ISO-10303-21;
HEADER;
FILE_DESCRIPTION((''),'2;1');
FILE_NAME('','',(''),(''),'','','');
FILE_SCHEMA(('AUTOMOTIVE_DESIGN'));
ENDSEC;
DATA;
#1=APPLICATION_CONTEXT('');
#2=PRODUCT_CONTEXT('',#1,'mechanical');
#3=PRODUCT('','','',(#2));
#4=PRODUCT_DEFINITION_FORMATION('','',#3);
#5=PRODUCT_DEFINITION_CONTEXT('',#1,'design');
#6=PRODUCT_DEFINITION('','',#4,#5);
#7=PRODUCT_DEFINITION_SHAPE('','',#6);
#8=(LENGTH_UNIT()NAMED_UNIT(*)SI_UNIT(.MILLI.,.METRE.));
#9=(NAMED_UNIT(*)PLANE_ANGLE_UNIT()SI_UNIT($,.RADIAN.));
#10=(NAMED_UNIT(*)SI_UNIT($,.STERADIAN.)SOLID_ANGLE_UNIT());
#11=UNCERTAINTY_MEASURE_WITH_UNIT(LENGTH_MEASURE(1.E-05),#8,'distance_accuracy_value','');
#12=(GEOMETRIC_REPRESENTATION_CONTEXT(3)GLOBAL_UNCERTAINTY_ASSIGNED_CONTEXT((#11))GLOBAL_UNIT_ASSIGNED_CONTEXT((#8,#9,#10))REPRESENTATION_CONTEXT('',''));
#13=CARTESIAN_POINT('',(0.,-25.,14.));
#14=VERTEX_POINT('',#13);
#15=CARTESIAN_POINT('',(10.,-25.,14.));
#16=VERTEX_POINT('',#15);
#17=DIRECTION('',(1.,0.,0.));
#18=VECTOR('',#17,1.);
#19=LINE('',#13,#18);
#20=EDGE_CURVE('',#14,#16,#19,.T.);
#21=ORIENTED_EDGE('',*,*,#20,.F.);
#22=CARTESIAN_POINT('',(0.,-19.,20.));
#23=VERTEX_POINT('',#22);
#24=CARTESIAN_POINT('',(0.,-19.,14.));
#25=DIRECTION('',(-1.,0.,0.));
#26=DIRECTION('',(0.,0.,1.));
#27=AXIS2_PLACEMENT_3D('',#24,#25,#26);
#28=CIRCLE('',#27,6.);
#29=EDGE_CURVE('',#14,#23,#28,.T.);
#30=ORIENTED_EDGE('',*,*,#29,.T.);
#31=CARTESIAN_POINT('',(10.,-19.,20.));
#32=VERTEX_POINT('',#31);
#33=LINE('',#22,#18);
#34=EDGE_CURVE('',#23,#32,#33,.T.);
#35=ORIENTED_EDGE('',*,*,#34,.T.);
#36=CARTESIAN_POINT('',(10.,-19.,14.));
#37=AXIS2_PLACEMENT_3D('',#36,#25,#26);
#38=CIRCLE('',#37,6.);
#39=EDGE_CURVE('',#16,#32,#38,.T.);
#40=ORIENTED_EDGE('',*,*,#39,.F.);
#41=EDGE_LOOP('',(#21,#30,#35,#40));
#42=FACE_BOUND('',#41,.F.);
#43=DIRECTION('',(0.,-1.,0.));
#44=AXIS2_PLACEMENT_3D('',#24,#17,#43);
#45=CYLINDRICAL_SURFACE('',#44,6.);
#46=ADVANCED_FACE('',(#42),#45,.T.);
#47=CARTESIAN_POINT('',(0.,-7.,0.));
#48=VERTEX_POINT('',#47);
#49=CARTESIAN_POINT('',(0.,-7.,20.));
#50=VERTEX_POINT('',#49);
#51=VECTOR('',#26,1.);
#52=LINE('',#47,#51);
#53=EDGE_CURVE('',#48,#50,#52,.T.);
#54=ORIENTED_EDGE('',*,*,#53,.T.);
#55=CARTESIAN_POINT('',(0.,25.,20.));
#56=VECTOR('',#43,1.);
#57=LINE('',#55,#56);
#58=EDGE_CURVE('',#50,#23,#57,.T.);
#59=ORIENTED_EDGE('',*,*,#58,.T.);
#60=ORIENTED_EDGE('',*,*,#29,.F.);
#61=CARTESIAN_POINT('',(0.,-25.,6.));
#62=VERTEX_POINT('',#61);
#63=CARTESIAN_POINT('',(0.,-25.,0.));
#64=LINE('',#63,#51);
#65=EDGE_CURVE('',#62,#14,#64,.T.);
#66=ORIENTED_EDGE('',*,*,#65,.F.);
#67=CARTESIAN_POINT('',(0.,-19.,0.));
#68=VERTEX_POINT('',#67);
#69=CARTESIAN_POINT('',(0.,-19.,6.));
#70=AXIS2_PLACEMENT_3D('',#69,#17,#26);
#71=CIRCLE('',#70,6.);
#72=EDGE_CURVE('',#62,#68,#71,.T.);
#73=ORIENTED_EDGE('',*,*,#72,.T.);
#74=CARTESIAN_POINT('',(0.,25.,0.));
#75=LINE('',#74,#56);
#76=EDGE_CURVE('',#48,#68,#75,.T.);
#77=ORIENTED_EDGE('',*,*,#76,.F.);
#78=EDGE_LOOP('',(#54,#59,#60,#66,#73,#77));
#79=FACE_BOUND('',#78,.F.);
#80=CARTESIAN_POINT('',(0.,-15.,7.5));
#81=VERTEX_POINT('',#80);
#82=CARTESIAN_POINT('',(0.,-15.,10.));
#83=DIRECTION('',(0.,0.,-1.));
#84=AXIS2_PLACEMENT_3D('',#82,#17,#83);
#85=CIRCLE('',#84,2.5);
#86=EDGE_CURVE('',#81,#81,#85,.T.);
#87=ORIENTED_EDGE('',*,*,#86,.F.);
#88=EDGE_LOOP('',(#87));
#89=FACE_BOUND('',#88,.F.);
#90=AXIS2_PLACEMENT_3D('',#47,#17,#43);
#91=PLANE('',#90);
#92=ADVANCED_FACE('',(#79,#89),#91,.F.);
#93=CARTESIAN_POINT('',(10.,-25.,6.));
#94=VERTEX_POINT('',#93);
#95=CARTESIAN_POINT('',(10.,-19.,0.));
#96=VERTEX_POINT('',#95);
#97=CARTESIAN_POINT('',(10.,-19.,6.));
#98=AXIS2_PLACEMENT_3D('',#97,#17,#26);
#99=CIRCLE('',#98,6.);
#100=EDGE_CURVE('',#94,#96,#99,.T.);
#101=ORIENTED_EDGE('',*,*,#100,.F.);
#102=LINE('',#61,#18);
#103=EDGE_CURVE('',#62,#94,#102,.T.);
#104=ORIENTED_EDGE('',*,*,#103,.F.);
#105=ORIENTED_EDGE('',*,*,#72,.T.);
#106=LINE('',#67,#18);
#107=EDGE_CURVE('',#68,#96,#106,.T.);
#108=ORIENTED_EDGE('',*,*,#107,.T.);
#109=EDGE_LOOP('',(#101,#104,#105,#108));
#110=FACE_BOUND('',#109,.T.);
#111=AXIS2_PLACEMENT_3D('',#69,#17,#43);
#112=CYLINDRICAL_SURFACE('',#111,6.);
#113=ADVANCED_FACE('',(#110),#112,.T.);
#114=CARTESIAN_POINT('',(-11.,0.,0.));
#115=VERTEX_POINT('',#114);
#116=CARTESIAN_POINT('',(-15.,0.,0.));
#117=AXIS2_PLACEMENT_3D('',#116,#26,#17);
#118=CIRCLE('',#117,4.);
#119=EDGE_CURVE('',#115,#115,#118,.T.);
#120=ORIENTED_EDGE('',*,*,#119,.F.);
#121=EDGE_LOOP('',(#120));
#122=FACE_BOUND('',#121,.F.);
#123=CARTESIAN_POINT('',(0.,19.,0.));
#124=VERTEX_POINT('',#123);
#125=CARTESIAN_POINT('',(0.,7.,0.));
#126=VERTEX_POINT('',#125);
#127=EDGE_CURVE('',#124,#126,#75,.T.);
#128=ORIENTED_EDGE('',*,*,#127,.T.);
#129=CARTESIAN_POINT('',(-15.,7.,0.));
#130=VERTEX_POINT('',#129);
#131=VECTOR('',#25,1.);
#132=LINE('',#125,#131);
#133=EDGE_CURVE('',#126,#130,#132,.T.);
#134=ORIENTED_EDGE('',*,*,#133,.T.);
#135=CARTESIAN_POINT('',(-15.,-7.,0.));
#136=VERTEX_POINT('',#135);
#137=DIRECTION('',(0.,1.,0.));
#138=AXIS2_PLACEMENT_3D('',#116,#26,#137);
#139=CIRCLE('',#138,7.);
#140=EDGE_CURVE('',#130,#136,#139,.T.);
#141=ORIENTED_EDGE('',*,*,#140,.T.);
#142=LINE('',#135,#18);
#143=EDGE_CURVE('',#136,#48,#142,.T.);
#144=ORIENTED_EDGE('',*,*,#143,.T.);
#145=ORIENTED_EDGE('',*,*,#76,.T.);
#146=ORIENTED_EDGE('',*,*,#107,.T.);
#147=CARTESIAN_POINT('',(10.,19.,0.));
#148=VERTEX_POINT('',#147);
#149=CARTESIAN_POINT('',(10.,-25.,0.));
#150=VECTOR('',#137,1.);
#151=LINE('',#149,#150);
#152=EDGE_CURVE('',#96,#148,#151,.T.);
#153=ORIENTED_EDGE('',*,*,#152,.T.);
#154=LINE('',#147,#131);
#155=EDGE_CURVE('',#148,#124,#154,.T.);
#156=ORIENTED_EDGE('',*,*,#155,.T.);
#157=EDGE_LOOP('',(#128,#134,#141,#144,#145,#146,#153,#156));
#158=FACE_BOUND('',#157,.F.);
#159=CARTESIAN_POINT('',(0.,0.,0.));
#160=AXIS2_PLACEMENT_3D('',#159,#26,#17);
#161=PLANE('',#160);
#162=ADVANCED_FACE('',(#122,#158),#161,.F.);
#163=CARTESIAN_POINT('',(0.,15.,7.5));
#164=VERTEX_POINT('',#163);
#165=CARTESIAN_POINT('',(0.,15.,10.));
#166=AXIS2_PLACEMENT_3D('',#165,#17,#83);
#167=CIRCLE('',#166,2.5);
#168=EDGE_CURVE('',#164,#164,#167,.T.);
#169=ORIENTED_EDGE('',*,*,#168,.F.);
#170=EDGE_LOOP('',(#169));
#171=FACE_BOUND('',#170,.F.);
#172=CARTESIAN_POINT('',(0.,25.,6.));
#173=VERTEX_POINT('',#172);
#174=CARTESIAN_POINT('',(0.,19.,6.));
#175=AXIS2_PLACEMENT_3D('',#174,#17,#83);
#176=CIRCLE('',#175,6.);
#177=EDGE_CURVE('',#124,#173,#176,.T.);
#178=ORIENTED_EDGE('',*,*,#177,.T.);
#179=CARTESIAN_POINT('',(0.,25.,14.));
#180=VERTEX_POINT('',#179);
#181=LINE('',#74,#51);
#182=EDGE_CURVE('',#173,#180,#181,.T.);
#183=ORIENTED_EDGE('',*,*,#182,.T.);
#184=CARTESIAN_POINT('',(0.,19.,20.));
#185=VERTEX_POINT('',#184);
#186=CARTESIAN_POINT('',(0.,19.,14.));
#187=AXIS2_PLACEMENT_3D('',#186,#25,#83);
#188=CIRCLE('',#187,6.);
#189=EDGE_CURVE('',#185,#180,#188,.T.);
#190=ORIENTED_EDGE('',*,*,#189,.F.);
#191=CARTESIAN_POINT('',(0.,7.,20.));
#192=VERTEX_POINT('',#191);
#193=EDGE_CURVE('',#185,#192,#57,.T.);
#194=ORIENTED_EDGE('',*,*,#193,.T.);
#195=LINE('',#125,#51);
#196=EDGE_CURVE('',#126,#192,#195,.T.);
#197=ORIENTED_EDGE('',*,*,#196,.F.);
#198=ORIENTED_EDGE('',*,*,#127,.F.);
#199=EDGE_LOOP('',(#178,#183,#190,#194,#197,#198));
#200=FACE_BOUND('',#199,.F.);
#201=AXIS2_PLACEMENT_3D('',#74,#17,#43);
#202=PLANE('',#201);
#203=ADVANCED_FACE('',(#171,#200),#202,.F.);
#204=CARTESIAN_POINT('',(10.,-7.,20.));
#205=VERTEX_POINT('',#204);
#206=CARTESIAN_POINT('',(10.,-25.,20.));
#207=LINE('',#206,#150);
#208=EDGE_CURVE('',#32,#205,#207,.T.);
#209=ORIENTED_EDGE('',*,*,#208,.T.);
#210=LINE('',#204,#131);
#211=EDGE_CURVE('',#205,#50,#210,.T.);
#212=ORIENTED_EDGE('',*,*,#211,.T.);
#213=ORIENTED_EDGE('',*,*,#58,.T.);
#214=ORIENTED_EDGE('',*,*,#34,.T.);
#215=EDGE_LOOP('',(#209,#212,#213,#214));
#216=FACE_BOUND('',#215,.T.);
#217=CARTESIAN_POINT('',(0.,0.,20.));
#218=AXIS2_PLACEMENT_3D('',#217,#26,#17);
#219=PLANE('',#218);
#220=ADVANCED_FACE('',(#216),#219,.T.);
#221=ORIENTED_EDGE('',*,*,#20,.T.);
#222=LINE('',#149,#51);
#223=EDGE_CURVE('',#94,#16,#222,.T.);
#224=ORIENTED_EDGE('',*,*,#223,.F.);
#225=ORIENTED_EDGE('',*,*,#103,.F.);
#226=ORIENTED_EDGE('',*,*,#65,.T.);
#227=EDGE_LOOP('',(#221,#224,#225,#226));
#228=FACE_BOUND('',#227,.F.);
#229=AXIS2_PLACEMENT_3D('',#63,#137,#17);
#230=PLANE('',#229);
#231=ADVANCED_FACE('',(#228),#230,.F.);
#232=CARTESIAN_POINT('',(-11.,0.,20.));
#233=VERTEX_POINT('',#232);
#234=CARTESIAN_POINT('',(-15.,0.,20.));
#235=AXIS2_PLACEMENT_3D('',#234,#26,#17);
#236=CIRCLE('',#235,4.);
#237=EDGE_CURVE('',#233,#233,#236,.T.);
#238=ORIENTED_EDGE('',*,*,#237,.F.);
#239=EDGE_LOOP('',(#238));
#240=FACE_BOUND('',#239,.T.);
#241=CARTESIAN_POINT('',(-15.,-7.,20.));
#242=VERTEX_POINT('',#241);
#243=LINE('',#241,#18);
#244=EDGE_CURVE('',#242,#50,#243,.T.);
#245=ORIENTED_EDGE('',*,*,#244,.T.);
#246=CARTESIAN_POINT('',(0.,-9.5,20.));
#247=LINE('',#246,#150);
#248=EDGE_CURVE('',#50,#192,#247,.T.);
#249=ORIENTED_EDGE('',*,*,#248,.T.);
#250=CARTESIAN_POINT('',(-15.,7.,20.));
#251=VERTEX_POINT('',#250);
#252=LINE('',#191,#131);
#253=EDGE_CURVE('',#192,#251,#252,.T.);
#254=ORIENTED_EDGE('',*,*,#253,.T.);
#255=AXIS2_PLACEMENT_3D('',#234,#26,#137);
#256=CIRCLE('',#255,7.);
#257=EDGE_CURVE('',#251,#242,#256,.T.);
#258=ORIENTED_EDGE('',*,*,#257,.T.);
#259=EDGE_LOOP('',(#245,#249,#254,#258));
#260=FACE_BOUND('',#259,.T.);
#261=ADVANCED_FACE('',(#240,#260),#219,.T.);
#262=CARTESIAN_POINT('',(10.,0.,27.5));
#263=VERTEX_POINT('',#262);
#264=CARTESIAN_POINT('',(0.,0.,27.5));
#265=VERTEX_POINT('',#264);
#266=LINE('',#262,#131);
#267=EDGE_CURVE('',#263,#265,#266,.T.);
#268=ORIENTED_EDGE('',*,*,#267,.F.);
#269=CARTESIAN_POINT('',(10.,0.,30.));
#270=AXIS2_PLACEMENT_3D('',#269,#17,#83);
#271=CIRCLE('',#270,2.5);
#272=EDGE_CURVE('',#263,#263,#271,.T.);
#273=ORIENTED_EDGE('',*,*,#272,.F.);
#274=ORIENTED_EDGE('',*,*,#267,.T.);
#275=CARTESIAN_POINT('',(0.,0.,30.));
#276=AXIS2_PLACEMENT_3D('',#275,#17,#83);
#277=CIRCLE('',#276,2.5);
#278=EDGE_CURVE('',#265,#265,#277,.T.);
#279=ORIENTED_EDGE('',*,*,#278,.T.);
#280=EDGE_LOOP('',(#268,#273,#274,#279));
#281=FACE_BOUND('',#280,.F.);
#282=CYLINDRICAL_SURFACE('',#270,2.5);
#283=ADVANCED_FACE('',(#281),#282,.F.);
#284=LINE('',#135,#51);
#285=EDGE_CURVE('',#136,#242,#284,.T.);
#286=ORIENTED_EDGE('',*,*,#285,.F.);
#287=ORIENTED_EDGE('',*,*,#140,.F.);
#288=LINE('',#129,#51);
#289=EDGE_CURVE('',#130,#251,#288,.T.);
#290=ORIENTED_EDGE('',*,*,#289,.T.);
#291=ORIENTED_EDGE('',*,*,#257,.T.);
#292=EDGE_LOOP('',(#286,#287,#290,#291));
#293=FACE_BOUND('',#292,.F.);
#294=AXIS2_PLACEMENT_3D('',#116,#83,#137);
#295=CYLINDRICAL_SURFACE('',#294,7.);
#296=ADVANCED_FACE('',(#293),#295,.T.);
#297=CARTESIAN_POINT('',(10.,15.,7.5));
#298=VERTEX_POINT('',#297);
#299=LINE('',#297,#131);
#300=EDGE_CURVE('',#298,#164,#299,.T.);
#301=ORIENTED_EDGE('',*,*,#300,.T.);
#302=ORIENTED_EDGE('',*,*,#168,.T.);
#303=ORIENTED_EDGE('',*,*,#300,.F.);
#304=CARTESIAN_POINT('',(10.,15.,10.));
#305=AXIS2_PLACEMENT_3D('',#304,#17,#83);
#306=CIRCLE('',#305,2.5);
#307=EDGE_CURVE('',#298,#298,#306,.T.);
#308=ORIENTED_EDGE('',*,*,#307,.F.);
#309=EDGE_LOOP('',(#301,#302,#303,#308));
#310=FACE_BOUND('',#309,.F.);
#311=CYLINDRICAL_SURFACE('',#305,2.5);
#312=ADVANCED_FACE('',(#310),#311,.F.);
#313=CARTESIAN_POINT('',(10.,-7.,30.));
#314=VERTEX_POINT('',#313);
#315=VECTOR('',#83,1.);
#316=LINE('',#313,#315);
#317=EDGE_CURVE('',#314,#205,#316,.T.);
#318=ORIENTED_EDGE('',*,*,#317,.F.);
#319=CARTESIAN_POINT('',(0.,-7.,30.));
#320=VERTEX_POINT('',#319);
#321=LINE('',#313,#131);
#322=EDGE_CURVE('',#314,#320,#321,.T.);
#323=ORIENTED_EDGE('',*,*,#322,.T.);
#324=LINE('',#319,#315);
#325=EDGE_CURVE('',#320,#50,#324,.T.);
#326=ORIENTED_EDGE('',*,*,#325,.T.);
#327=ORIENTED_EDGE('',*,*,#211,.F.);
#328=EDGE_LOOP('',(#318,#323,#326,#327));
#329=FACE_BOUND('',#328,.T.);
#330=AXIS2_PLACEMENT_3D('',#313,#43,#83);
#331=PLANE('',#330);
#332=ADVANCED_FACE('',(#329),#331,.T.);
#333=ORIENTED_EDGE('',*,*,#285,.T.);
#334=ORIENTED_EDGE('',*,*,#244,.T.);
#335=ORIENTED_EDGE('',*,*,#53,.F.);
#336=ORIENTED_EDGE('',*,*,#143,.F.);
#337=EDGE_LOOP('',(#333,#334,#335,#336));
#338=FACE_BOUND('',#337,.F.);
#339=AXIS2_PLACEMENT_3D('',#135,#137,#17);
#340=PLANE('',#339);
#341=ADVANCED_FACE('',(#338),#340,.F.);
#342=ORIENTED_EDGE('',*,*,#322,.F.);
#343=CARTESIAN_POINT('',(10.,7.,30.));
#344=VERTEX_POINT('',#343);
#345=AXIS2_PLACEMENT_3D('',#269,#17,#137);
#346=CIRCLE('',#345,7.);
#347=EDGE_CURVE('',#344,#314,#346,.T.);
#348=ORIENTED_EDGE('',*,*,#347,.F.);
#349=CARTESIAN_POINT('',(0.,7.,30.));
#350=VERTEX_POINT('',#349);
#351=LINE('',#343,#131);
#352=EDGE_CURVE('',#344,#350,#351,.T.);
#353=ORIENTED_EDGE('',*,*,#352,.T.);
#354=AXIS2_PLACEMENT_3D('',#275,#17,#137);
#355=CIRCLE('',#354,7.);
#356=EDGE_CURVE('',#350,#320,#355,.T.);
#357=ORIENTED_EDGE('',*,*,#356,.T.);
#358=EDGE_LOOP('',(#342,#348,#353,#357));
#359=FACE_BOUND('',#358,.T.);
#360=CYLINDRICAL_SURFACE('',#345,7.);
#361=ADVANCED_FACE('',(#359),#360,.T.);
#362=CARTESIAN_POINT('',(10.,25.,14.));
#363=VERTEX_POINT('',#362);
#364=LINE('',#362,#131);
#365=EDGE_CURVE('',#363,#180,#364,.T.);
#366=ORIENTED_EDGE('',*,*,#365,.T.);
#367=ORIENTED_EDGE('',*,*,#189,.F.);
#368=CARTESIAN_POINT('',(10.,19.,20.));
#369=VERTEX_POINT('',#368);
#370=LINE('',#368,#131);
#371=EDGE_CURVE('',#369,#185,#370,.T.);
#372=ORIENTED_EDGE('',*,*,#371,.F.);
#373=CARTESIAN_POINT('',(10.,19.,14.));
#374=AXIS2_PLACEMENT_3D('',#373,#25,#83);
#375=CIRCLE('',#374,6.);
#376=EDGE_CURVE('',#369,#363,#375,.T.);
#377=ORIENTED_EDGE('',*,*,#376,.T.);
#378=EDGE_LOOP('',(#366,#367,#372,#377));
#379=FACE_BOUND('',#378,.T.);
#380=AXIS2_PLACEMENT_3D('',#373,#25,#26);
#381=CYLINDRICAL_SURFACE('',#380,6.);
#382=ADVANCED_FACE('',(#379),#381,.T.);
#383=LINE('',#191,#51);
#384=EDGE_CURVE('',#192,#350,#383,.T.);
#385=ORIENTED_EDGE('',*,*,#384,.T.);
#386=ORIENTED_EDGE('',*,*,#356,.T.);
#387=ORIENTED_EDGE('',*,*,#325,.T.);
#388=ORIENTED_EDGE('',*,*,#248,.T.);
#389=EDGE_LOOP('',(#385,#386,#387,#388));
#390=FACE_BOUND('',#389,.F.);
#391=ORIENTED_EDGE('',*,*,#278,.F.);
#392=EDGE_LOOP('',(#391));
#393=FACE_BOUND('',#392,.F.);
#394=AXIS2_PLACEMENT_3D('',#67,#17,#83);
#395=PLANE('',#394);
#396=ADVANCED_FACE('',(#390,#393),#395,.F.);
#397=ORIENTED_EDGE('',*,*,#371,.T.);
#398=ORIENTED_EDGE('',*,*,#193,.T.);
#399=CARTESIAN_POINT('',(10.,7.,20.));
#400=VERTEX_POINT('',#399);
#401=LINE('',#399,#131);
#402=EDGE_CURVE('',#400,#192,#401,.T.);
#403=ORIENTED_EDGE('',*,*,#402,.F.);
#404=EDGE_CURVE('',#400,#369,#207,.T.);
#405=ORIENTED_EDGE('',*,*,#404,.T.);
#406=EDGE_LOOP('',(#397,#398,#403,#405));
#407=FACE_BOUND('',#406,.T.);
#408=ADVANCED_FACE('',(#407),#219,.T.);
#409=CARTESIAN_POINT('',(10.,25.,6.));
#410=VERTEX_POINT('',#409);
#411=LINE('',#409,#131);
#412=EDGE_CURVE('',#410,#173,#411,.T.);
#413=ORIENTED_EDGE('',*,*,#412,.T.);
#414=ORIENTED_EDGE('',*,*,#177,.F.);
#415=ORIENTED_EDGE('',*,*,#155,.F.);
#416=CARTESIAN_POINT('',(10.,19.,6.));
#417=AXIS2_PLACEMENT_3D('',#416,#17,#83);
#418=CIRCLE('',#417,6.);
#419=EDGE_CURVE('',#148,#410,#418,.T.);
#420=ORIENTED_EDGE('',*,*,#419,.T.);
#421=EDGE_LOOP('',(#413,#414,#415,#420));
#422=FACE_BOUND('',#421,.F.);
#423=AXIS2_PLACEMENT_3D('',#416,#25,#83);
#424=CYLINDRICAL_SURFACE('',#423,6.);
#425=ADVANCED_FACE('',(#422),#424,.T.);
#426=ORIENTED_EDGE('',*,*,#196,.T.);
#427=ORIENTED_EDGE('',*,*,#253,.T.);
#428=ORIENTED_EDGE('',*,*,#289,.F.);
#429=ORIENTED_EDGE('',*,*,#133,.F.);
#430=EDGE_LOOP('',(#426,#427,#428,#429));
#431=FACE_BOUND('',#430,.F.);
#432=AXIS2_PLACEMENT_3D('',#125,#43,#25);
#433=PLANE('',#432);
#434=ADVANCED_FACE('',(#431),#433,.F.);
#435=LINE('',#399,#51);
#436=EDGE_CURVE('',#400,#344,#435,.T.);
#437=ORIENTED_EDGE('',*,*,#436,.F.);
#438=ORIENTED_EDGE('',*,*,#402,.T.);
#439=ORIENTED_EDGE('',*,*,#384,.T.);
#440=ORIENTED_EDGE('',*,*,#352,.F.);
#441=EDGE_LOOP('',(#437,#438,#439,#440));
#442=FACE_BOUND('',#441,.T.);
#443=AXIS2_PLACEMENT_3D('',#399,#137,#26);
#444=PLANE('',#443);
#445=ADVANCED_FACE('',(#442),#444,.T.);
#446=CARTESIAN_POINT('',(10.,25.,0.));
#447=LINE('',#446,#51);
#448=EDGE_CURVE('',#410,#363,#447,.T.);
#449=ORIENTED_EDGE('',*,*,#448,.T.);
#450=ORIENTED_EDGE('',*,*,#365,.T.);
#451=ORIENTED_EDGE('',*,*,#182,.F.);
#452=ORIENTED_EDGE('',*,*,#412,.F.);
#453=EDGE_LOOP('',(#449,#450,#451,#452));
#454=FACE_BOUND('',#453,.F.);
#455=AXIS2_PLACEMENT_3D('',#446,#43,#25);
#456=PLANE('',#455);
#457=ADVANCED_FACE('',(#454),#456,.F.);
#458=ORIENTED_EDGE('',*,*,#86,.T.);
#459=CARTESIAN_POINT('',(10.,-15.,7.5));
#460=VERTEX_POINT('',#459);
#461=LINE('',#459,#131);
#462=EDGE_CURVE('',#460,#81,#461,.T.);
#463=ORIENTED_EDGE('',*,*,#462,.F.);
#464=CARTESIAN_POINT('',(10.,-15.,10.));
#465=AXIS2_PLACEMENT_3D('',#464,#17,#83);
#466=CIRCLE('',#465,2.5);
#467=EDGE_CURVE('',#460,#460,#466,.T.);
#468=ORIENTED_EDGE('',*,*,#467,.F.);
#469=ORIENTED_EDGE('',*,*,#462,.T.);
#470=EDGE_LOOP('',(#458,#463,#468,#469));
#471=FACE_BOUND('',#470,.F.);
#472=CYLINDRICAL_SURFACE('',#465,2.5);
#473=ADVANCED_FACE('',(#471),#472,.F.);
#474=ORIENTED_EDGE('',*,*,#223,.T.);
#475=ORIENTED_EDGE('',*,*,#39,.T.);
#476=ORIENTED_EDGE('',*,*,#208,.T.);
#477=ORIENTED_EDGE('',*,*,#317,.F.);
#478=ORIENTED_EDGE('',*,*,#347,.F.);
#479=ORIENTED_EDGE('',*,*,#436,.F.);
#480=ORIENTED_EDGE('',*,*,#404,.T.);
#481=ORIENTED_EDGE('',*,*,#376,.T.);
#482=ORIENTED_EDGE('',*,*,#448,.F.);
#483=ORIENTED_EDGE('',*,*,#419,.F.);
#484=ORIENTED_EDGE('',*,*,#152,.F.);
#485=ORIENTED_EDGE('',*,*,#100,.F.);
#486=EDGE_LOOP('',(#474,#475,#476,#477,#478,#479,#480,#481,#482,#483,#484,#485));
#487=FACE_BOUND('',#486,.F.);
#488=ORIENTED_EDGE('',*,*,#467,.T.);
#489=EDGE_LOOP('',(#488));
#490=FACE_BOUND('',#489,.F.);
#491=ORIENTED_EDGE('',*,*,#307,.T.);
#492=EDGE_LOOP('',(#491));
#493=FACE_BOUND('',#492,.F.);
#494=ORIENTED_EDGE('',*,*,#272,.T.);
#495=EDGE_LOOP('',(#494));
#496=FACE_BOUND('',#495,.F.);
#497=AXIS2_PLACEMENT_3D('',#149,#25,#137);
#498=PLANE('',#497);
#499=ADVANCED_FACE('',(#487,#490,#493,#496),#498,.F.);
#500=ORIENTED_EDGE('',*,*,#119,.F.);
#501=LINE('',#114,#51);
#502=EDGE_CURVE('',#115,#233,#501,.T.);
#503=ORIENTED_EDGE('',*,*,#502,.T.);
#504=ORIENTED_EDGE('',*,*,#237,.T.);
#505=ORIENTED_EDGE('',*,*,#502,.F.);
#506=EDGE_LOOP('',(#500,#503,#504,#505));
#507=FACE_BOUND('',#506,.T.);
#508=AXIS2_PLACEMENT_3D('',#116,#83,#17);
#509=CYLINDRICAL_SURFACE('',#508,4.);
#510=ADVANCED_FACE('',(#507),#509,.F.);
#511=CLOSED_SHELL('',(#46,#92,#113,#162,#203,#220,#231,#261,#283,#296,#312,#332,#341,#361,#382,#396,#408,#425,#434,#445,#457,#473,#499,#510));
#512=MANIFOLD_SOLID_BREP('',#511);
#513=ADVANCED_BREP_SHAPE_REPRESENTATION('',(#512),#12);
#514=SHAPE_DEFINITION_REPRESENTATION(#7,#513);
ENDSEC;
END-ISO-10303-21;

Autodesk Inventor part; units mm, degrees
ref_plane "YZ Plane" through (0, 0, 0) normal (1, 0, 0) x (0, 1, 0)
ref_plane "XZ Plane" through (0, 0, 0) normal (0, 1, 0) x (-1, 0, 0)
ref_plane "XY Plane" through (0, 0, 0) normal (0, 0, 1) x (1, 0, 0)
sketch "Sketch1" plane through (0, 0, 0) normal (0, 0, 1) x (1, 0, 0)
  line L0 (0, 0) -> (-15, 0) construction
  circle A0 centre (-15, 0) radius 4
  line L1 (10, 25) -> (0, 25)
  line L2 (0, 25) -> (0, -25)
  line L3 (0, -25) -> (10, -25)
  line L4 (10, -25) -> (10, 25)
  line L5 (0, 0) -> (-15, 0) construction
  line L6 (0, 7) -> (-15, 7)
  line L7 (-15, -7) -> (0, -7)
  arc A1 (0, -7) -> (0, 7) centre (0, 0) ccw
  arc A2 (-15, 7) -> (-15, -7) centre (-15, 0) ccw
  point P0 (-7.5, 0)
  dimension "d0" = 8
  dimension "d1" = 15
  dimension "d2" = 50
  dimension "d3" = 10
  dimension "d4" = 7
extrude "Extrusion1" add sketch "Sketch1" along normal blind 20
sketch "Sketch2" plane through (10, -25, 0) normal (1, 0, 0) x (0, 0, -1)
  line L0 (0, 50) -> (-20, 50) construction
  line L1 (-10, 50) -> (-10, 40) construction
  line L2 (0, 0) -> (-20, 0) construction
  line L3 (-10, 0) -> (-10, 10) construction
  circle A0 centre (-10, 40) radius 2.5
  circle A1 centre (-10, 10) radius 2.5
  point P0 (0, 25)
  dimension "d7" = 5
  dimension "d8" = 10
extrude "Extrusion2" cut sketch "Sketch2" against normal through all
fillet "Fillet1" radius 6 4 edges at (5, 25, 20) (5, 25, 0) (5, -25, 20) (5, -25, 0)
sketch "Sketch3" plane through (10, -19, 0) normal (1, 0, 0) x (0, 0, -1)
  line L0 (-20, 15) -> (-20, 23) projected
  line L1 (-20, 19) -> (-30, 19) construction
  line L2 (-20, 26) -> (-30, 26)
  line L3 (-30, 12) -> (-20, 12)
  arc A0 (-20, 12) -> (-20, 26) centre (-20, 19) ccw
  arc A1 (-30, 26) -> (-30, 12) centre (-30, 19) ccw
  circle A2 centre (-30, 19) radius 2.5
  point P0 (0, 19)
  point P1 (-25, 19)
  dimension "d12" = 5
  dimension "d13" = 7
  dimension "d14" = 10
extrude "Extrusion3" add sketch "Sketch3" against normal blind 10
properties part number "frame mount 1"
